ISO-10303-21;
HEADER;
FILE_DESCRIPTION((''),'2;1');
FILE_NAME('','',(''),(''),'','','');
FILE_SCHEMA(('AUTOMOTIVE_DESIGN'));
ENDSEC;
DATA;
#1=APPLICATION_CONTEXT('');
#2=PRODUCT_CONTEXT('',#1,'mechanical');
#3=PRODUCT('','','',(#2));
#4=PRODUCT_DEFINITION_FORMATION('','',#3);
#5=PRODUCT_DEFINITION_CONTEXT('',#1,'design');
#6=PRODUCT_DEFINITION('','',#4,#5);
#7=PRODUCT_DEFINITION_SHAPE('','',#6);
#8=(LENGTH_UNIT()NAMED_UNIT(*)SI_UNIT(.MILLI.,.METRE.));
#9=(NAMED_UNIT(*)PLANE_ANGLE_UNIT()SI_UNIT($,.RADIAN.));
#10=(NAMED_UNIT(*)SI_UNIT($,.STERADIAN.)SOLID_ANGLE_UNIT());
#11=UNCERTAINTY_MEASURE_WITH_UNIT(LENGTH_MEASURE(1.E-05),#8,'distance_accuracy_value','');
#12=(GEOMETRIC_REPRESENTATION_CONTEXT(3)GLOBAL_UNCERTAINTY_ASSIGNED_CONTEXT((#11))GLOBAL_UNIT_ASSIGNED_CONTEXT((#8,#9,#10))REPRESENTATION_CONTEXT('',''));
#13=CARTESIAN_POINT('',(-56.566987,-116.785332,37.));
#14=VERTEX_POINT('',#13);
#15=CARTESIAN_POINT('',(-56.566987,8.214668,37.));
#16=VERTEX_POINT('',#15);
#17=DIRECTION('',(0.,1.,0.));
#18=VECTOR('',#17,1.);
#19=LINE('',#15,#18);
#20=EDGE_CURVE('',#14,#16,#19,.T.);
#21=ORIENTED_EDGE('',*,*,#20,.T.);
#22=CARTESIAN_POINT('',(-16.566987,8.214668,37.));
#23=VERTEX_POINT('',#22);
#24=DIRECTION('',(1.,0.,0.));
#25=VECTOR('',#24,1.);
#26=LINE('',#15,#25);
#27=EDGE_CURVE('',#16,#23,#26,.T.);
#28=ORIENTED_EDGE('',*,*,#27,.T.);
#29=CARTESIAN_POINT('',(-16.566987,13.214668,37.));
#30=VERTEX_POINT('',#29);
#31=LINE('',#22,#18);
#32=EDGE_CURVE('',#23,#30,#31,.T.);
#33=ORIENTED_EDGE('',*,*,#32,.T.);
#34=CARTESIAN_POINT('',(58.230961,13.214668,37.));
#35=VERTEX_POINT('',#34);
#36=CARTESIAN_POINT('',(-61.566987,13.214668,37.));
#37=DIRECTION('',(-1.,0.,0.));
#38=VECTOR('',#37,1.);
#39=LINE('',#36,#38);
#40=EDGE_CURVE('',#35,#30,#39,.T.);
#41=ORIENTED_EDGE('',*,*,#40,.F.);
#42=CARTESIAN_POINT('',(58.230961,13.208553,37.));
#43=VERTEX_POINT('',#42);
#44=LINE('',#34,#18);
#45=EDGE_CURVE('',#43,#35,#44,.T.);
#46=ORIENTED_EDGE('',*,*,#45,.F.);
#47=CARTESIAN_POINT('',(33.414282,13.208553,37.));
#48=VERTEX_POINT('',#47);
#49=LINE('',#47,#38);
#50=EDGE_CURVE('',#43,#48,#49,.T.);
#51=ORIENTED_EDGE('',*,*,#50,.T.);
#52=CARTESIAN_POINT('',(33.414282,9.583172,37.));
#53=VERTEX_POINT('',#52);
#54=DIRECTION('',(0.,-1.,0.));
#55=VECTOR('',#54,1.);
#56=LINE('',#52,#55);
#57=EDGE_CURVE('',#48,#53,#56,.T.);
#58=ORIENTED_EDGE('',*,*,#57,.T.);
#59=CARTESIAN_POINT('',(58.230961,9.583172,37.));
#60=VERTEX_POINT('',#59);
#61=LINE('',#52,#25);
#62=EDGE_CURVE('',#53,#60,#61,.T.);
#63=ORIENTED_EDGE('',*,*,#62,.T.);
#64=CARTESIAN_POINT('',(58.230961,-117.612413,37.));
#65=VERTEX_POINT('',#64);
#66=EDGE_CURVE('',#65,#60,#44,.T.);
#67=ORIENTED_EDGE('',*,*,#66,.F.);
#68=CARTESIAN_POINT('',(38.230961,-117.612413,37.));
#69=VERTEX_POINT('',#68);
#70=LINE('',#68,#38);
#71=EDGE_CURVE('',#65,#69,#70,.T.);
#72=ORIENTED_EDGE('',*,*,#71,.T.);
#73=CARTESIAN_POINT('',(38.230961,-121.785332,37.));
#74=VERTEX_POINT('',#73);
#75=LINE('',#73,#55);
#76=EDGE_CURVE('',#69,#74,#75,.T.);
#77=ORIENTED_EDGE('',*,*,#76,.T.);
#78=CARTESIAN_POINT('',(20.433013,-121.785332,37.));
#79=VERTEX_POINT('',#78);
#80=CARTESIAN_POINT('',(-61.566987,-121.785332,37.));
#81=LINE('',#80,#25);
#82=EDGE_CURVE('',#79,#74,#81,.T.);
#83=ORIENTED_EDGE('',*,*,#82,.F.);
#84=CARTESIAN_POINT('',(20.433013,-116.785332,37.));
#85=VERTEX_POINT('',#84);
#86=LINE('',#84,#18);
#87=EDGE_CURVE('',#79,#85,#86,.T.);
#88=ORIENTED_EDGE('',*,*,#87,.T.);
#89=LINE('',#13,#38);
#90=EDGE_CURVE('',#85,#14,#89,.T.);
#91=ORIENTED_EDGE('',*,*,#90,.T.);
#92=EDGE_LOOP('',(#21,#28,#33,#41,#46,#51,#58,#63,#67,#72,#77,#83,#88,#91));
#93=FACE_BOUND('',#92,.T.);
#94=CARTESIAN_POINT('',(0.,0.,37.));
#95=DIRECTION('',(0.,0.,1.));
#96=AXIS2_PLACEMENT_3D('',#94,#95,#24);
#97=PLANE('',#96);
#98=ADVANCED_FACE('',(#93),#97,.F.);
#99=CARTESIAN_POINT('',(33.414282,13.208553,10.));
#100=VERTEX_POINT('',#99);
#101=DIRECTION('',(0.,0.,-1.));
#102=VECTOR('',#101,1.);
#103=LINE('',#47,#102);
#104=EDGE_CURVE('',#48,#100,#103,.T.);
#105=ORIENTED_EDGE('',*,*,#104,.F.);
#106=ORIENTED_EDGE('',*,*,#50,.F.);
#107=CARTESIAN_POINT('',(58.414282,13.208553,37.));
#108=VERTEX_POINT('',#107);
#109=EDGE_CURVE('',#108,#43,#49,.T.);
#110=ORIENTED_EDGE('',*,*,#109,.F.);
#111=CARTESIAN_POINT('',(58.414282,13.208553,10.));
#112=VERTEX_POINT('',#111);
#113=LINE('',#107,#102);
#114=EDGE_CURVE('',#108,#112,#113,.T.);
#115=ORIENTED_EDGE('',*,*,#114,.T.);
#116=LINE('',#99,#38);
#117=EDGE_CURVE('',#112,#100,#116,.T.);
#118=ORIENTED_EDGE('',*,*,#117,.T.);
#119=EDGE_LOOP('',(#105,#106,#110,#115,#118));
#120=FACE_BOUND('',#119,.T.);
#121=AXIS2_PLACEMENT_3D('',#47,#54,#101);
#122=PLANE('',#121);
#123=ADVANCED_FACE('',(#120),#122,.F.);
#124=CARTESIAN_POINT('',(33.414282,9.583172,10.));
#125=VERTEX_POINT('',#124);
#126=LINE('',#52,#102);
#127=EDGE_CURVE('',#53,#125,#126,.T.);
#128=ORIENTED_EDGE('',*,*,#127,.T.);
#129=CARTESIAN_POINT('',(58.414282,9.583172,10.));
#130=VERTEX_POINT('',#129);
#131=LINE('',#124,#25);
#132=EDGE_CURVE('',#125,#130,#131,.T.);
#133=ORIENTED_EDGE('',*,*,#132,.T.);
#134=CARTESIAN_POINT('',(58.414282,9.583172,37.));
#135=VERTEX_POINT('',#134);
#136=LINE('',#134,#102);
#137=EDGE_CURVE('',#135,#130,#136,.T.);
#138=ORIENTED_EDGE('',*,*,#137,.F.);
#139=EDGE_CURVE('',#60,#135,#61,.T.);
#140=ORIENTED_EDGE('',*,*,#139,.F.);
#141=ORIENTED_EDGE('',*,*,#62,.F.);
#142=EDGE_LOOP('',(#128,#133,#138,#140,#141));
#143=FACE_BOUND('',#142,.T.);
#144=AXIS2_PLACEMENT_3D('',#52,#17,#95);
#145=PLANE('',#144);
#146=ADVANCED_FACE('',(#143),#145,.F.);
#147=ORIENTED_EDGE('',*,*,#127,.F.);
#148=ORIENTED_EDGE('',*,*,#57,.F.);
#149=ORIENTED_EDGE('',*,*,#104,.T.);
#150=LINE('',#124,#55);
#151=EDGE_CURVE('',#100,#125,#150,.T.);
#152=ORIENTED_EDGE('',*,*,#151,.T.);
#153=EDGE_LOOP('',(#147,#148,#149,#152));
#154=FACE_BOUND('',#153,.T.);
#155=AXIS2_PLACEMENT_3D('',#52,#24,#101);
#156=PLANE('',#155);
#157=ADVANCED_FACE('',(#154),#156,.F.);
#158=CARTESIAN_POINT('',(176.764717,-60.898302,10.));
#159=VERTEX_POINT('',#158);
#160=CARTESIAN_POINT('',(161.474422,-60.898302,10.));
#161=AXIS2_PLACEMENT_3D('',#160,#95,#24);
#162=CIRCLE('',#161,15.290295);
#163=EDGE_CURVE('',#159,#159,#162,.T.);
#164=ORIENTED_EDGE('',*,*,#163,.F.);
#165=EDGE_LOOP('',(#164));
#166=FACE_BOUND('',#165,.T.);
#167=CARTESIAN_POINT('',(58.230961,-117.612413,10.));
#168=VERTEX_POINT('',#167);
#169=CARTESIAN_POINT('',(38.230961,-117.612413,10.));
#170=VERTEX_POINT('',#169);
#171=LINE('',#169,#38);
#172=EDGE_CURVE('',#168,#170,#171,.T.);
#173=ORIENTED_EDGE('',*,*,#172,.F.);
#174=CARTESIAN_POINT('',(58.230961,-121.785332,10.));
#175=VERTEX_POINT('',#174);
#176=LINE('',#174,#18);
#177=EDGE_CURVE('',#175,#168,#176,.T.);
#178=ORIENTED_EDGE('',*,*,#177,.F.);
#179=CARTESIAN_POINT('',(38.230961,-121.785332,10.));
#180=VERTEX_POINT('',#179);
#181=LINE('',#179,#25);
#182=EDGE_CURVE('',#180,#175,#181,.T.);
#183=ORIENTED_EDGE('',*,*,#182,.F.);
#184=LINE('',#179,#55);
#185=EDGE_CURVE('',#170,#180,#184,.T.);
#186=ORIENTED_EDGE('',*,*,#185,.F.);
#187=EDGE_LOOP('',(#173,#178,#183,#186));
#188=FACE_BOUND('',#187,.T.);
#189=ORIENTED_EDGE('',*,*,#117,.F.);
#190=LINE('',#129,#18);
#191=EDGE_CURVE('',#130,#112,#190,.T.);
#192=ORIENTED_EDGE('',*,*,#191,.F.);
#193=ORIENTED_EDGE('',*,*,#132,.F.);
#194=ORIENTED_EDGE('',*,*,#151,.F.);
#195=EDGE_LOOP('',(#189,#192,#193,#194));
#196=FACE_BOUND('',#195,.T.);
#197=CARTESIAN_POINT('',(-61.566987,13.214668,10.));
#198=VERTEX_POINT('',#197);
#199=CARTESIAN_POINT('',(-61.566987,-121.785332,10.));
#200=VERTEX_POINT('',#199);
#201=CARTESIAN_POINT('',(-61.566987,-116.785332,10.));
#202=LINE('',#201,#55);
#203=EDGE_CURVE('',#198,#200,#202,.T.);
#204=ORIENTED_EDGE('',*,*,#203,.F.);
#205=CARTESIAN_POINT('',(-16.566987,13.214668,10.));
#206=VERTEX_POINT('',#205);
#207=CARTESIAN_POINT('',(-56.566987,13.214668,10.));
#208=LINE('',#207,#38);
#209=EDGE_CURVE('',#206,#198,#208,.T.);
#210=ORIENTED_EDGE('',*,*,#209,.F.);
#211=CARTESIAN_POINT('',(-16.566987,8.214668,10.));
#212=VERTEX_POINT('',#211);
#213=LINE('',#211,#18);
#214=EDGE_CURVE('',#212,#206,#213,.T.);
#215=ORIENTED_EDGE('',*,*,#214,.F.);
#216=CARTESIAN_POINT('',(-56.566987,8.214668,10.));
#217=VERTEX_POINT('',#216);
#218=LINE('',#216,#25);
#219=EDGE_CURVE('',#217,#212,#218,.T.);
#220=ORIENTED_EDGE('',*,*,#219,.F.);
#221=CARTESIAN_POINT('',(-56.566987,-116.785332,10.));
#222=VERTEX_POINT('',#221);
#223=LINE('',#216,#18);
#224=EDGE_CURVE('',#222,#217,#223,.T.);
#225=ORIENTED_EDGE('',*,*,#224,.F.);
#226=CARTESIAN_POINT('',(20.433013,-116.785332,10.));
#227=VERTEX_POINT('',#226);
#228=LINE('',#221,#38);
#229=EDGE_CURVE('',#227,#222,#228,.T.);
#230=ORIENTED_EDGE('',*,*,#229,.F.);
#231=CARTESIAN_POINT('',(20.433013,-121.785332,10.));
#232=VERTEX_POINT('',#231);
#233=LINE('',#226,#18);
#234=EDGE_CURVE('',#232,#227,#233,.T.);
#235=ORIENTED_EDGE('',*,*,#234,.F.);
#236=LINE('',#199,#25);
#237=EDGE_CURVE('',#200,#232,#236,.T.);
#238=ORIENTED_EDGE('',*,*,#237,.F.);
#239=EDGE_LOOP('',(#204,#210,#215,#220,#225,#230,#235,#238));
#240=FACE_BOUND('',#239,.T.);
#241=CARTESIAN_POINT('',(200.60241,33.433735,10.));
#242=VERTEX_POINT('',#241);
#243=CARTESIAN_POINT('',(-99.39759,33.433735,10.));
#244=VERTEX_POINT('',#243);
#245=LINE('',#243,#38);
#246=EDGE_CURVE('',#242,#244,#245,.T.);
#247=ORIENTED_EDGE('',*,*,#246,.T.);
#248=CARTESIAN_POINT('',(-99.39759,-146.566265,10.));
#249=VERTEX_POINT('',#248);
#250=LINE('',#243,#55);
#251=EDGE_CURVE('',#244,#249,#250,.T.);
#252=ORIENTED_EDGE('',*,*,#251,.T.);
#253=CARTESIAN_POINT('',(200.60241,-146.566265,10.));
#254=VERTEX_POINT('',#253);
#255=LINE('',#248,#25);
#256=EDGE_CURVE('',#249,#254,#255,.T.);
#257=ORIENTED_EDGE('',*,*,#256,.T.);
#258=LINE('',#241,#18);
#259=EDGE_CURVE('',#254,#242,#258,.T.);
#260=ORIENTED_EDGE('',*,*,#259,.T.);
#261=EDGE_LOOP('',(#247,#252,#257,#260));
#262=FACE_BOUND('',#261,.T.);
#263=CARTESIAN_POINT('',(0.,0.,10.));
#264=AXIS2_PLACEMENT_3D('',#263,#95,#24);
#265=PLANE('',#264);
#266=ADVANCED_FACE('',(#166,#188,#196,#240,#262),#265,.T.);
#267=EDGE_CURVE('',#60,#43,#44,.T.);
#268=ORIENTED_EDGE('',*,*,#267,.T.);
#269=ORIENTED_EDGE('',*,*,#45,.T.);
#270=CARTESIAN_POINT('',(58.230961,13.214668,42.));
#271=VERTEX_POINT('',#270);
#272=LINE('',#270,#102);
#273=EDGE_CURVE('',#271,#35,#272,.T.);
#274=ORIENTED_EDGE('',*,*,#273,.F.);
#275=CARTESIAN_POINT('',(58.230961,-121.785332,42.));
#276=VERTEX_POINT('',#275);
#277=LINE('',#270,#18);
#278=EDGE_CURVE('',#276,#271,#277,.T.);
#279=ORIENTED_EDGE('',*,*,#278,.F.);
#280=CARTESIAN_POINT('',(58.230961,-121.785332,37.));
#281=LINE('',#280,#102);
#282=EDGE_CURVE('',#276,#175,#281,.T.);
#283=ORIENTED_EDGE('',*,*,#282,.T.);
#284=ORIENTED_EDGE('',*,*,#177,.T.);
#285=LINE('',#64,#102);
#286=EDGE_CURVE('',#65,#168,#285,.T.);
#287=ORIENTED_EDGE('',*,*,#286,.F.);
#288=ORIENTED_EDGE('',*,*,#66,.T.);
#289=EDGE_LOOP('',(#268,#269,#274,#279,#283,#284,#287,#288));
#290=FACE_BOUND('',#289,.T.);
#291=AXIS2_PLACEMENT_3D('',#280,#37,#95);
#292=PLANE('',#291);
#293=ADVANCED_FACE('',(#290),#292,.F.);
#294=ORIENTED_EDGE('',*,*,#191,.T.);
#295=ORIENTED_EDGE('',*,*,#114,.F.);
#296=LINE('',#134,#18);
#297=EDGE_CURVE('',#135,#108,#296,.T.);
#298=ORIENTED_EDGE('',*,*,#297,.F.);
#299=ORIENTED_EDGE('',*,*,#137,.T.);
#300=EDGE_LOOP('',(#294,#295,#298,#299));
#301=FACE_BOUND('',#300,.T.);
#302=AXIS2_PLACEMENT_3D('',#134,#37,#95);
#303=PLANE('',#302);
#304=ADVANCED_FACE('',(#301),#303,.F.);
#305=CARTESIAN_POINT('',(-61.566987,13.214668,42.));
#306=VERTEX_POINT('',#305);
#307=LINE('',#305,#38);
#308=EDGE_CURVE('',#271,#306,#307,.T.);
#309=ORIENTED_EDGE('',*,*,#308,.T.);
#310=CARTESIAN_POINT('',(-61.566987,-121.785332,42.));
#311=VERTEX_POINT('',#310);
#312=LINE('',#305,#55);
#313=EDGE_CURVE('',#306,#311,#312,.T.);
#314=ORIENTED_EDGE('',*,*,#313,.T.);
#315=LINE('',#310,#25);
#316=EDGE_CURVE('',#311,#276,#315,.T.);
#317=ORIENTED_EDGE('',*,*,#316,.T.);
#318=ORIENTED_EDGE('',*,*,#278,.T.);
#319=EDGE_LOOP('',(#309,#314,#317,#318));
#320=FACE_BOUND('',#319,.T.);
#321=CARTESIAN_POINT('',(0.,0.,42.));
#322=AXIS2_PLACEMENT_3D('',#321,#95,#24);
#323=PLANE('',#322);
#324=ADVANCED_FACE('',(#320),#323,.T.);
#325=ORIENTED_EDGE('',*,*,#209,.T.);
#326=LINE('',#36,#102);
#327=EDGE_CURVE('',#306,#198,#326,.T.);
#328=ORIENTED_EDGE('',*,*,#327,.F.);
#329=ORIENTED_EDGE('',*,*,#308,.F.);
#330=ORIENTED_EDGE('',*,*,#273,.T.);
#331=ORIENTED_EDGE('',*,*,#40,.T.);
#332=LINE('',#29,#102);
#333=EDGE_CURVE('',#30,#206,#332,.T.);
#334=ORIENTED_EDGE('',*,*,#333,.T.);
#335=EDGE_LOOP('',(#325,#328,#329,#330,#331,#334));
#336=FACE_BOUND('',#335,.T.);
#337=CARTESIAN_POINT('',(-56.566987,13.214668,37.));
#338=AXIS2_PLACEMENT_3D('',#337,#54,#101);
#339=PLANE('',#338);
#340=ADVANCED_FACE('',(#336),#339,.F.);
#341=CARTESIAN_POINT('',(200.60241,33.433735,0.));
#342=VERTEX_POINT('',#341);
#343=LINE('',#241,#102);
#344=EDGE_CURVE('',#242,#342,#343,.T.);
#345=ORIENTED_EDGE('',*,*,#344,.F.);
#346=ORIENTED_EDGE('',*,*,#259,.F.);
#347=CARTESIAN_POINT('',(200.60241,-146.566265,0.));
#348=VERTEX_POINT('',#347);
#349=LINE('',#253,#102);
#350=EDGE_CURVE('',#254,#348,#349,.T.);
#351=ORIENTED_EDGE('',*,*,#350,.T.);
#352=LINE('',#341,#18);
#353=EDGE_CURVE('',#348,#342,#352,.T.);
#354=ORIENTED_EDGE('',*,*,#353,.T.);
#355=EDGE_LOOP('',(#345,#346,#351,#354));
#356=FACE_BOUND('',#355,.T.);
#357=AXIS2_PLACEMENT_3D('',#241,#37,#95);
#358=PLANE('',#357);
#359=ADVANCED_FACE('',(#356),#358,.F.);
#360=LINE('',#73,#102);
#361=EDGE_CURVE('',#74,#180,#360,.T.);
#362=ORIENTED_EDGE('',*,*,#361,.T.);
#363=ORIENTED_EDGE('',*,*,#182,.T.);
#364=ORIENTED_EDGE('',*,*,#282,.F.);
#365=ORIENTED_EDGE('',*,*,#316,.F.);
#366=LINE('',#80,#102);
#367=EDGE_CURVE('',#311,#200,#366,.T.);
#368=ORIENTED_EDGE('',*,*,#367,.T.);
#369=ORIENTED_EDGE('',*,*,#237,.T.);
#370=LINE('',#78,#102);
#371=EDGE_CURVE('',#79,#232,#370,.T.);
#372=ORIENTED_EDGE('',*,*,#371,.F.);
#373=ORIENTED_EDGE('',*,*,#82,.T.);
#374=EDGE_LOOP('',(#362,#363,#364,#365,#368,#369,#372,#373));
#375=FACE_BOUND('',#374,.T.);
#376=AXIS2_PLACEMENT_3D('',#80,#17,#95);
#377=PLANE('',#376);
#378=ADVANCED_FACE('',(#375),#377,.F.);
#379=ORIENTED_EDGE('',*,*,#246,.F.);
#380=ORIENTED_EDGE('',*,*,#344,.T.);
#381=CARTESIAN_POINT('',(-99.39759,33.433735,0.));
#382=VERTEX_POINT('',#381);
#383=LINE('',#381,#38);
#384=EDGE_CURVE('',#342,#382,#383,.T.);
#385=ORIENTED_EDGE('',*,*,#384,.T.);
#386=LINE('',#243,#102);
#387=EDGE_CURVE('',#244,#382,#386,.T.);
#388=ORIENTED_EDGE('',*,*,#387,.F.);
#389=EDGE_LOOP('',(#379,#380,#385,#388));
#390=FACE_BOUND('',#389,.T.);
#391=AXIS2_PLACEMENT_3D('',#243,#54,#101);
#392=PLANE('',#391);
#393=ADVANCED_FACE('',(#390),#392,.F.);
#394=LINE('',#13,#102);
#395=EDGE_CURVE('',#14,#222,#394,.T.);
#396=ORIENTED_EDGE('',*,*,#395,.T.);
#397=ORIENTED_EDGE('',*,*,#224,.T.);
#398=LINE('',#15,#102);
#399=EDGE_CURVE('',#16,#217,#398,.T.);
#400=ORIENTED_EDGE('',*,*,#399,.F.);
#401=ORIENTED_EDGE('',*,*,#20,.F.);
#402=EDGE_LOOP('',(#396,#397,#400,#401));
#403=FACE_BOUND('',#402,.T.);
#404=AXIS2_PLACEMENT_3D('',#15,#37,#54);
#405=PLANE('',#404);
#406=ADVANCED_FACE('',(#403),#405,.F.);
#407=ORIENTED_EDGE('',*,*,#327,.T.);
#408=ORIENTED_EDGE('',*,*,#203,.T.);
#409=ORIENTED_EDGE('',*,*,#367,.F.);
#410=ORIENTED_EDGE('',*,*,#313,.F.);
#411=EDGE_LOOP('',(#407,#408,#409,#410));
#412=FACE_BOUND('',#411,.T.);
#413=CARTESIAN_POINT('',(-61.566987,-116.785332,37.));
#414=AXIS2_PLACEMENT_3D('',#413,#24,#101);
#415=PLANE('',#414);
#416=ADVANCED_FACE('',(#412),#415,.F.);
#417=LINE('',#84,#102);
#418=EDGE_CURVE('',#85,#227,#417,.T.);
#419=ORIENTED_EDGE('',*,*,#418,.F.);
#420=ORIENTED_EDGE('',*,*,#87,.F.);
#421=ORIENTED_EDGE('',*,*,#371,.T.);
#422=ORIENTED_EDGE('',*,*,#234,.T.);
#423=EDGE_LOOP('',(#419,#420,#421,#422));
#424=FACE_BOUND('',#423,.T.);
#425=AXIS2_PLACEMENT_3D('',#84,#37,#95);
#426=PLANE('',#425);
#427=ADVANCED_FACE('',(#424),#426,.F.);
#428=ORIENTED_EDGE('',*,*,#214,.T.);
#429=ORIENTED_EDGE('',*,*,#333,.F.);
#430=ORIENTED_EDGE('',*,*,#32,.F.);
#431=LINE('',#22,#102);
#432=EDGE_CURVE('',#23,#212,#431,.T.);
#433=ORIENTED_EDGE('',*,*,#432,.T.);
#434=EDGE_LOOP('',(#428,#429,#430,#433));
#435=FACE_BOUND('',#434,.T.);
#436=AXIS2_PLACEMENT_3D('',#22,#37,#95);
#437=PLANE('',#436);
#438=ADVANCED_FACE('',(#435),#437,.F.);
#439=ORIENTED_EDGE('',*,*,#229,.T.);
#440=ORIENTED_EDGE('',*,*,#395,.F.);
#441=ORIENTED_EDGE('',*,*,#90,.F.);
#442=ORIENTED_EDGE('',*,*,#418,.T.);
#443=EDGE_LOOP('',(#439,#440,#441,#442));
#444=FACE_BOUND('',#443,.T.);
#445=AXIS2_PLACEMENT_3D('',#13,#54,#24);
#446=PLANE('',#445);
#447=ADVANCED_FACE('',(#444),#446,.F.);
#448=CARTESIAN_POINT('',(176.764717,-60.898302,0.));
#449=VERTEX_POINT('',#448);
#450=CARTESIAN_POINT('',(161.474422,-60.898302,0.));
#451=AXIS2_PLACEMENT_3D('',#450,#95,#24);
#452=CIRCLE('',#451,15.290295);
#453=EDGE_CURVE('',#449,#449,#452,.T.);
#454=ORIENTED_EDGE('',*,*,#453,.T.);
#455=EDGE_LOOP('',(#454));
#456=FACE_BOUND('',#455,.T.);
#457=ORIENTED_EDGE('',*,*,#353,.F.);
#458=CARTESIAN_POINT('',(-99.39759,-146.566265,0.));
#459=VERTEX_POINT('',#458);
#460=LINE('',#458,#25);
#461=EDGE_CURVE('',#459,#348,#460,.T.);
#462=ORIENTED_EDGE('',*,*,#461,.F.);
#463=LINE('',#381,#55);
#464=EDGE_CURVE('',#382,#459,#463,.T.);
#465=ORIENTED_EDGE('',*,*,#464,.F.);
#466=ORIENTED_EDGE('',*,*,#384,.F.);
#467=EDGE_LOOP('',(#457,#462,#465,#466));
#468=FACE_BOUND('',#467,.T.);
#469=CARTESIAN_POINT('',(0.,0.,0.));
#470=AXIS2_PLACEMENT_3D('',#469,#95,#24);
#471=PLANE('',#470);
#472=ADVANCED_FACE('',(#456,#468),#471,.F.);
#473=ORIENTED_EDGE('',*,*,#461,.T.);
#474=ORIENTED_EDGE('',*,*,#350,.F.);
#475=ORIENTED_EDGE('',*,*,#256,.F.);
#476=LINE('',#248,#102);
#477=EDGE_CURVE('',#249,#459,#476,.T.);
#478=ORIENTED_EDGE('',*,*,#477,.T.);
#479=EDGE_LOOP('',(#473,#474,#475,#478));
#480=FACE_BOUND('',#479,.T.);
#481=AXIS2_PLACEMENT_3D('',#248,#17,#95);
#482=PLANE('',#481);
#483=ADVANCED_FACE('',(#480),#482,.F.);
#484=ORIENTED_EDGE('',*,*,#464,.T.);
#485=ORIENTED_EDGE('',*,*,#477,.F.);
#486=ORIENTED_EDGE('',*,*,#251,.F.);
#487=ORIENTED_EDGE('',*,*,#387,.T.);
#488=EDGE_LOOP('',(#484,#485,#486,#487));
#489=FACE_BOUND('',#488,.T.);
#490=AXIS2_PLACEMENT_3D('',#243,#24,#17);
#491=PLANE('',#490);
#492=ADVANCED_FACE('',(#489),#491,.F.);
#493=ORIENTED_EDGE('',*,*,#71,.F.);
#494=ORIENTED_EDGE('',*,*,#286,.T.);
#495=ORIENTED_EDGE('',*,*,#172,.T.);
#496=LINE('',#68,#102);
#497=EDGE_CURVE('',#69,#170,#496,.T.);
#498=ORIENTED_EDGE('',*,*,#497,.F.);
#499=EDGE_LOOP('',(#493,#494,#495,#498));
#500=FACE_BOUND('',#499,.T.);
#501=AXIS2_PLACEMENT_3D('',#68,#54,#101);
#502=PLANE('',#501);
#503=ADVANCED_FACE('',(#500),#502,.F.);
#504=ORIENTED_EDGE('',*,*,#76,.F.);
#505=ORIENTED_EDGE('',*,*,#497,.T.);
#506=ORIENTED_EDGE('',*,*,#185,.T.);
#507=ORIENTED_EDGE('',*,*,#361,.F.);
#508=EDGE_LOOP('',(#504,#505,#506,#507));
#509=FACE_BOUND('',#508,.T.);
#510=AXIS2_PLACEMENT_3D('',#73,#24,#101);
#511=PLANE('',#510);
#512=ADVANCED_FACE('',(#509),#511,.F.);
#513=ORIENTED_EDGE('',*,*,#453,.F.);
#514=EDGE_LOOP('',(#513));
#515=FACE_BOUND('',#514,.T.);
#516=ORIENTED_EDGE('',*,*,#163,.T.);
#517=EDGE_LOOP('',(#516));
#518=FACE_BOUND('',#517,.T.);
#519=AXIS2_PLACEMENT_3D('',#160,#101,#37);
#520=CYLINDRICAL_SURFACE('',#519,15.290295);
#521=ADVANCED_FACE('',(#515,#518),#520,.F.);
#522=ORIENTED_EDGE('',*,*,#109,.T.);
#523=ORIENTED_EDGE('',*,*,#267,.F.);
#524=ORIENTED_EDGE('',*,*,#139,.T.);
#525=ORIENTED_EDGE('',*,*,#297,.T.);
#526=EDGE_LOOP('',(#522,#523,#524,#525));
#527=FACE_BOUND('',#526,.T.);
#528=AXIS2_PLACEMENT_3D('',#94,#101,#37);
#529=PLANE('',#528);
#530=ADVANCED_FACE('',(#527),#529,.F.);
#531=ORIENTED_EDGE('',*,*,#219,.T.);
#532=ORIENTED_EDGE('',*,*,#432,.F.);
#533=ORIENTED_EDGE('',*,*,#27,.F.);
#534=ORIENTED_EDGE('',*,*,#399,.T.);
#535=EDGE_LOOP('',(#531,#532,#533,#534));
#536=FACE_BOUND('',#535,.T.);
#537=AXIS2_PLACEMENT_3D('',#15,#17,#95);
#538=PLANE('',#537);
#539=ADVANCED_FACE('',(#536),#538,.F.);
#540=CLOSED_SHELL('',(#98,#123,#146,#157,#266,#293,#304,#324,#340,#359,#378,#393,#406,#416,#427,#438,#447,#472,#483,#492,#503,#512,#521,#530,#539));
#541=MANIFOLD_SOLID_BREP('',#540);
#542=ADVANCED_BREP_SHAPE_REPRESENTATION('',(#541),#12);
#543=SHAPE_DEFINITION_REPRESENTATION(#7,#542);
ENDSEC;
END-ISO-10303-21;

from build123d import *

# Parameters (mm, degrees)
SKETCH1_W           = 300
SKETCH1_H           = 180
SKETCH1_R           = 15.290295186
BOSS_EXTRUDE1_DEPTH = 10
SKETCH2_W           = 25
SKETCH2_H           = 3.625381299
SKETCH2_W_2         = 20
SKETCH2_H_2         = 4.172919767
BOSS_EXTRUDE2_DEPTH = 27
SKETCH3_W           = 119.797948109
SKETCH3_H           = 135
BOSS_EXTRUDE3_DEPTH = 5


with BuildPart() as part:
    # Sketch1 → Boss-Extrude1 (new body)
    with BuildSketch(Plane.XY):
        with Locations((50.602409639, -56.56626506)):
            Rectangle(SKETCH1_W, SKETCH1_H)
        with Locations((161.4744217, -60.89830155)):
            Circle(SKETCH1_R, mode=Mode.SUBTRACT)
    extrude(amount=BOSS_EXTRUDE1_DEPTH)

    # Sketch2 → Boss-Extrude2 (add)
    with BuildSketch(Plane.XY.offset(10)):
        Polygon((-61.566986646, 8.214667576), (-61.566986646, -116.785332424), (-61.566986646, -121.785332424), (20.433013354, -121.785332424), (20.433013354, -116.785332424), (-56.566986646, -116.785332424), (-56.566986646, 8.214667576), (-16.566986646, 8.214667576), (-16.566986646, 13.214667576), (-56.566986646, 13.214667576), (-61.566986646, 13.214667576), align=None)
        with Locations((45.914281805, 11.395862513)):
            Rectangle(SKETCH2_W, SKETCH2_H)
        with Locations((48.230961463, -119.698872541)):
            Rectangle(SKETCH2_W_2, SKETCH2_H_2)
    extrude(amount=BOSS_EXTRUDE2_DEPTH)

    # Sketch3 → Boss-Extrude3 (add)
    with BuildSketch(Plane.XY.offset(37)):
        with Locations((-1.668012591, -54.285332424)):
            Rectangle(SKETCH3_W, SKETCH3_H)
    extrude(amount=BOSS_EXTRUDE3_DEPTH)


solid = part.part
